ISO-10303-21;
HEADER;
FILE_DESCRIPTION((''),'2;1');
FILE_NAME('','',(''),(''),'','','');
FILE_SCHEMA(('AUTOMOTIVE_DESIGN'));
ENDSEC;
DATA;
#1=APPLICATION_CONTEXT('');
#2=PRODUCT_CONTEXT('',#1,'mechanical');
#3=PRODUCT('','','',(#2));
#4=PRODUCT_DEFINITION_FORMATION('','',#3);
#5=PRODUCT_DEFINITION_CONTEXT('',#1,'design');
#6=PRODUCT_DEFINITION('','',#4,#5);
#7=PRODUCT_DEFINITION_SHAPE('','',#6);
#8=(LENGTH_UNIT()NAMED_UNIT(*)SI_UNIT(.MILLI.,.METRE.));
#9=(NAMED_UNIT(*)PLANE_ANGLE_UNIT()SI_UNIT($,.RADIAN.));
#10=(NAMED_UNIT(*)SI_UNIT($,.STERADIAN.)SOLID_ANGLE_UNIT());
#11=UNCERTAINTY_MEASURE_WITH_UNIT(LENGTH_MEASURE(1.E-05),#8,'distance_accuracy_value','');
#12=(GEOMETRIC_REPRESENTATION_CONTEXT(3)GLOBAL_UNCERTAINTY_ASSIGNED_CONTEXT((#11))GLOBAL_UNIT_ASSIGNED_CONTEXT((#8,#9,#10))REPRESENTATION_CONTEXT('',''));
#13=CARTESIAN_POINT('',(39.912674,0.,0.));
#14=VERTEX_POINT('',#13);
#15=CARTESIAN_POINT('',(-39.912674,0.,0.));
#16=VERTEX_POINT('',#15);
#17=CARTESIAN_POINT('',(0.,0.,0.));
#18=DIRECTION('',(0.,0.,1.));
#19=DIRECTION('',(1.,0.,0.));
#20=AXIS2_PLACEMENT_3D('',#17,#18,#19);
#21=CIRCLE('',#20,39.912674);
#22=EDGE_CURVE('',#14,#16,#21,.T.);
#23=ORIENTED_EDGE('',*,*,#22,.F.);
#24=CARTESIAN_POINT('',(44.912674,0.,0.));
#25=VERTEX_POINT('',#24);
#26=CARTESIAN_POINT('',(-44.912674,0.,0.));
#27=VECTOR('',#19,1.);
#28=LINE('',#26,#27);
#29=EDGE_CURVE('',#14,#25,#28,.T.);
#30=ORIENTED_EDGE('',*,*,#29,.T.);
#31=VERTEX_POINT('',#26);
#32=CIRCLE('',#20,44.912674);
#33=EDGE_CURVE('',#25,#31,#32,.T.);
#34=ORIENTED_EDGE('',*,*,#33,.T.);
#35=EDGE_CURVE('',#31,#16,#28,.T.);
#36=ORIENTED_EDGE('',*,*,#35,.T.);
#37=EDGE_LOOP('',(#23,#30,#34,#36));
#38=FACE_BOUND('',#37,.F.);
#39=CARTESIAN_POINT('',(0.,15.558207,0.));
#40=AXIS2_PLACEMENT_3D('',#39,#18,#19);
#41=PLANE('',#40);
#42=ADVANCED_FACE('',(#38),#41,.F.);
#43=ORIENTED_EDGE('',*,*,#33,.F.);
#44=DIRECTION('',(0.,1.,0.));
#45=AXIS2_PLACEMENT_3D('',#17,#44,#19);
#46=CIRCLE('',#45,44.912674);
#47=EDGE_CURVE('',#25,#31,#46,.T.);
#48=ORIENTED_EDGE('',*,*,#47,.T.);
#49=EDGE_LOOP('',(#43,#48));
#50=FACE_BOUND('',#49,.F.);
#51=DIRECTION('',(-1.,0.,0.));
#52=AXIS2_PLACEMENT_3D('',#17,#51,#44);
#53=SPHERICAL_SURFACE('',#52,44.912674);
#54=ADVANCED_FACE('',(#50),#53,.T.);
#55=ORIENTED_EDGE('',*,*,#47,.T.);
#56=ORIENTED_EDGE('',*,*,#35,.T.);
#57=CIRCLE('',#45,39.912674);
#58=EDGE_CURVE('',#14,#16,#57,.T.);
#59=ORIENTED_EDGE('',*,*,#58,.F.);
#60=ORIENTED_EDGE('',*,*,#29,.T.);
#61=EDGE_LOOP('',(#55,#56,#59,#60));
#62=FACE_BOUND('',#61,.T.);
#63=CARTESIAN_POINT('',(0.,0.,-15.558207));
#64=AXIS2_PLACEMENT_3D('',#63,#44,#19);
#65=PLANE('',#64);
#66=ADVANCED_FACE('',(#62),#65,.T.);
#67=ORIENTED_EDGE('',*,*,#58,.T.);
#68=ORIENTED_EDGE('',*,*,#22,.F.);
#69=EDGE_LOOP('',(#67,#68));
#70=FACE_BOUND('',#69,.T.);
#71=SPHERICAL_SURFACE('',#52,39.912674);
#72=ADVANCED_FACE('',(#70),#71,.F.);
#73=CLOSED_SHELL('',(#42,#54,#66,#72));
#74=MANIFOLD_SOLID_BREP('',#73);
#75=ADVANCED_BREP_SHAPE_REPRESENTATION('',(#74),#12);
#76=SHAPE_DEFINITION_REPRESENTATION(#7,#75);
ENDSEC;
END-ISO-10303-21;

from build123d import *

# Parameters (mm, degrees)
F1_ANGLE = 270
F2_T     = -5


with BuildPart() as f1:
    # F0 (on Top) → F1 (revolve)
    with BuildSketch(Plane.XY):
        with BuildLine():
            Line((-44.912674, 0), (44.912674, 0))
            ThreePointArc((44.912674, 0), (0, 44.912674), (-44.912674, 0))
        make_face()
    revolve(axis=Axis((0, 0, 0), (1, 0, 0)), revolution_arc=F1_ANGLE)

    # F2
    f2_openings = [f1.faces().sort_by_distance(p)[0] for p in [
        (0, 0, -19.061531),
        (0, 19.061531, 0),
    ]]
    offset(amount=F2_T, openings=f2_openings)


solid = f1.part
